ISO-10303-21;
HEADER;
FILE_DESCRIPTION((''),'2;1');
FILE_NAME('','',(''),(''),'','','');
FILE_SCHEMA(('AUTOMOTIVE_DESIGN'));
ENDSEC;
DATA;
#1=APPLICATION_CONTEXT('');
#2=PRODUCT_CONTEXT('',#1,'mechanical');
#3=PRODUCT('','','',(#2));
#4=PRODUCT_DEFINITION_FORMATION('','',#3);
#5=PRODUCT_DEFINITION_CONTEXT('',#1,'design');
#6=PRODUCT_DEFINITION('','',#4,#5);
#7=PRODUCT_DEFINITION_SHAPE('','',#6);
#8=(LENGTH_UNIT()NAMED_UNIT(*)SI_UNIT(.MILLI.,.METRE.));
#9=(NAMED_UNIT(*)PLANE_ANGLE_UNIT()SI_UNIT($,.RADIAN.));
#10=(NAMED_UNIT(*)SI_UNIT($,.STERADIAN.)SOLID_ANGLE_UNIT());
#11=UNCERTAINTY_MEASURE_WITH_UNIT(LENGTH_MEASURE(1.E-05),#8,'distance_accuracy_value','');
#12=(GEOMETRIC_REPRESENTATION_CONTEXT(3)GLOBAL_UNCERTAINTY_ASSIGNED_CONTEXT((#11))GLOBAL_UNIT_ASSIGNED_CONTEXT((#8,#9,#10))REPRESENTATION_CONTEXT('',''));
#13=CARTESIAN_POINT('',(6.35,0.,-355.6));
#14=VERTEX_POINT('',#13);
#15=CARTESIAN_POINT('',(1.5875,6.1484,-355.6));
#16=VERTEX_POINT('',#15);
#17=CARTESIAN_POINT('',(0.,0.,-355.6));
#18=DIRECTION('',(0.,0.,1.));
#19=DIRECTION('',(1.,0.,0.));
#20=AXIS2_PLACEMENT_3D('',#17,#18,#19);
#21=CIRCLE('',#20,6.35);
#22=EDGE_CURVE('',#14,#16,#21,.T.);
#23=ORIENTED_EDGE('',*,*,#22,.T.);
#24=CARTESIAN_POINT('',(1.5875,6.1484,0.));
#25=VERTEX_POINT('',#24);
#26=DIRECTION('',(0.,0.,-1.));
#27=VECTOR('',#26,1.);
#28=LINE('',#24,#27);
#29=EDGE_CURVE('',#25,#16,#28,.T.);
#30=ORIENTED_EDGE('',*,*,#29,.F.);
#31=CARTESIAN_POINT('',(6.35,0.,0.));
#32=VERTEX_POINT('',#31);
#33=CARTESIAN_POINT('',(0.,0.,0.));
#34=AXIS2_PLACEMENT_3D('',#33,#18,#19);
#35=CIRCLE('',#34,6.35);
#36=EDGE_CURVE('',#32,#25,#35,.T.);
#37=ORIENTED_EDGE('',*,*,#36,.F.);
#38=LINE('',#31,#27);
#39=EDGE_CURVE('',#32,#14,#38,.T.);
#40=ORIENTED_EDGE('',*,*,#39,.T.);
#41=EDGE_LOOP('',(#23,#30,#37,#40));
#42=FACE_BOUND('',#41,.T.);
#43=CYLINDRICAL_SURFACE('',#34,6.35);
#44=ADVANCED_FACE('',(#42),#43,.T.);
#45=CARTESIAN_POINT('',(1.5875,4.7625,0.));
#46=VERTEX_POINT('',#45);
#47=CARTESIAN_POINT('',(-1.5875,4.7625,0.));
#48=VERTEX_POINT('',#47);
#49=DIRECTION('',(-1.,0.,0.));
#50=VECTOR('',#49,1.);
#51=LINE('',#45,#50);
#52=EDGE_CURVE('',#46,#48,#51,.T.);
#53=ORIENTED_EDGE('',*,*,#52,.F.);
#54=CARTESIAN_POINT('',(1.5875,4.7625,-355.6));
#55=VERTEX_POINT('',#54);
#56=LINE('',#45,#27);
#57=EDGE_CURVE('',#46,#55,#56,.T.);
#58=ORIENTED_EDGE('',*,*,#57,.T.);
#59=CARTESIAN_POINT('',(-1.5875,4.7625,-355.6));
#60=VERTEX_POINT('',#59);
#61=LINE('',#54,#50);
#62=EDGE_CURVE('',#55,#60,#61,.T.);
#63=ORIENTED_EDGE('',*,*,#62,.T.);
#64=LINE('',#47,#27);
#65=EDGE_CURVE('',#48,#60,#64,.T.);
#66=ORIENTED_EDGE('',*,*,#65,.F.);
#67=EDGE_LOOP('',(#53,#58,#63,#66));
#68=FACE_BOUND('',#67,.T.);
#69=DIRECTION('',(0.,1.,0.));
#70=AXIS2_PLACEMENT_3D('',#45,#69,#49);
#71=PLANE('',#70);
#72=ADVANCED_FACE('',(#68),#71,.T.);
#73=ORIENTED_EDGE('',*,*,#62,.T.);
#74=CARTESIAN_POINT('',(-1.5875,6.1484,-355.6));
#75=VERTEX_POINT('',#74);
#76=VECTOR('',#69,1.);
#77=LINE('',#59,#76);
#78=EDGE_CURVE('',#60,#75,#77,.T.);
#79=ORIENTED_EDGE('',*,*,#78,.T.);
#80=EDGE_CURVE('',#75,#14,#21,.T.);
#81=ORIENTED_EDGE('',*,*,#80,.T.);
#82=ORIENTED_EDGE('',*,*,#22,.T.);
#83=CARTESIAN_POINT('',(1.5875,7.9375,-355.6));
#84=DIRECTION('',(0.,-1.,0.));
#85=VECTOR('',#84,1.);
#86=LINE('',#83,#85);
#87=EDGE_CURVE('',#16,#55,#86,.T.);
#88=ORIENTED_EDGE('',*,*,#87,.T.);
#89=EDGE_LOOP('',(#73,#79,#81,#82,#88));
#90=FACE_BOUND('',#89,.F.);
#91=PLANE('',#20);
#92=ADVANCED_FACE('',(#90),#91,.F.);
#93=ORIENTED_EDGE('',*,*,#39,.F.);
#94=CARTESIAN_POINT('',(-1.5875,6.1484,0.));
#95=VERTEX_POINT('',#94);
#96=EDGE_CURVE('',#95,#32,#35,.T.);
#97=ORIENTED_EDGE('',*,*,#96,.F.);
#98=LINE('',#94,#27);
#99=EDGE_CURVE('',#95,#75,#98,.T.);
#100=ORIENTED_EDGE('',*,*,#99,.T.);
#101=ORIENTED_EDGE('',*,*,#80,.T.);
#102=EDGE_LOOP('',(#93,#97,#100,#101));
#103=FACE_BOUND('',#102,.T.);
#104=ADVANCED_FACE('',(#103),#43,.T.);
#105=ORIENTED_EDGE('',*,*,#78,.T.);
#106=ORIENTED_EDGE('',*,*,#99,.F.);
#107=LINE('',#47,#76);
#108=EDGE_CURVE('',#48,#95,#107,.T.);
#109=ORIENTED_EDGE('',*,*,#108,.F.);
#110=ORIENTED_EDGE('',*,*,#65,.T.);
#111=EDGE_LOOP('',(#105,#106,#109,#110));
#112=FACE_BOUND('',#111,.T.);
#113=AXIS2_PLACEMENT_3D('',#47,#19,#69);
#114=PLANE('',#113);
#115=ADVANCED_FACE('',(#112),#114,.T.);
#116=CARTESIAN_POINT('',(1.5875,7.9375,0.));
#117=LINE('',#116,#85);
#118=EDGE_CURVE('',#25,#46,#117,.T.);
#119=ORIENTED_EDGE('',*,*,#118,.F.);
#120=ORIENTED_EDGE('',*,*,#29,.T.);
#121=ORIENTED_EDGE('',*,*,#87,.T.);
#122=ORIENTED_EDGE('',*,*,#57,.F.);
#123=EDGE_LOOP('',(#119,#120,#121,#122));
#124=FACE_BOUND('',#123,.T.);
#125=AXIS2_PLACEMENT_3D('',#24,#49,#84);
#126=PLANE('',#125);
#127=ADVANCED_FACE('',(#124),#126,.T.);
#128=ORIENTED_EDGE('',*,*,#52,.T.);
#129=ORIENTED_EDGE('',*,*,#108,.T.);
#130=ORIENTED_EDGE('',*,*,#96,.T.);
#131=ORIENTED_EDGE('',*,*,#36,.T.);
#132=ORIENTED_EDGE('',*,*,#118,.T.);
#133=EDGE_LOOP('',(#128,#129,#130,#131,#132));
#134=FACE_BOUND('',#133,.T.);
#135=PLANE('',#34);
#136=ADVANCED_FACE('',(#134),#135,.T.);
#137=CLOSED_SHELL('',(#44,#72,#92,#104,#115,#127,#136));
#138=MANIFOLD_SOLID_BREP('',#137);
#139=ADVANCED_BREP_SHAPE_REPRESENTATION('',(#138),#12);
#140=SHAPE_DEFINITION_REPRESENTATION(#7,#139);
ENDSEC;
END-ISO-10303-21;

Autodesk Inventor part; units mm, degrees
ref_plane "YZ Plane" through (0, 0, 0) normal (1, 0, 0) x (0, 1, 0)
ref_plane "XZ Plane" through (0, 0, 0) normal (0, 1, 0) x (-1, 0, 0)
ref_plane "XY Plane" through (0, 0, 0) normal (0, 0, 1) x (1, 0, 0)
sketch "Sketch1" plane through (0, 0, 0) normal (0, 0, 1) x (1, 0, 0)
  circle A0 centre (0, 0) radius 6.35
  line L0 (-1.5875, 7.9375) -> (1.5875, 7.9375)
  line L1 (1.5875, 7.9375) -> (1.5875, 4.7625)
  line L2 (1.5875, 4.7625) -> (-1.5875, 4.7625)
  line L3 (-1.5875, 4.7625) -> (-1.5875, 7.9375)
  line L4 (1.5875, 4.7625) -> (1.5875, 6.1484)
  line L5 (-1.5875, 4.7625) -> (-1.5875, 6.1484)
  line L6 (1.5875, 4.7625) -> (-1.5875, 4.7625)
  point P0 (0, 4.7625)
  dimension "d0" = 12.7
  dimension "d1" = 3.175
  dimension "d2" = 3.175
  dimension "d3" = 4.7625
extrude "Extrusion1" add sketch "Sketch1" against normal blind 355.6 contours A0 L3 L2 L1 picked at (0.1781, 1.0658)
properties part number "14 in axle"
